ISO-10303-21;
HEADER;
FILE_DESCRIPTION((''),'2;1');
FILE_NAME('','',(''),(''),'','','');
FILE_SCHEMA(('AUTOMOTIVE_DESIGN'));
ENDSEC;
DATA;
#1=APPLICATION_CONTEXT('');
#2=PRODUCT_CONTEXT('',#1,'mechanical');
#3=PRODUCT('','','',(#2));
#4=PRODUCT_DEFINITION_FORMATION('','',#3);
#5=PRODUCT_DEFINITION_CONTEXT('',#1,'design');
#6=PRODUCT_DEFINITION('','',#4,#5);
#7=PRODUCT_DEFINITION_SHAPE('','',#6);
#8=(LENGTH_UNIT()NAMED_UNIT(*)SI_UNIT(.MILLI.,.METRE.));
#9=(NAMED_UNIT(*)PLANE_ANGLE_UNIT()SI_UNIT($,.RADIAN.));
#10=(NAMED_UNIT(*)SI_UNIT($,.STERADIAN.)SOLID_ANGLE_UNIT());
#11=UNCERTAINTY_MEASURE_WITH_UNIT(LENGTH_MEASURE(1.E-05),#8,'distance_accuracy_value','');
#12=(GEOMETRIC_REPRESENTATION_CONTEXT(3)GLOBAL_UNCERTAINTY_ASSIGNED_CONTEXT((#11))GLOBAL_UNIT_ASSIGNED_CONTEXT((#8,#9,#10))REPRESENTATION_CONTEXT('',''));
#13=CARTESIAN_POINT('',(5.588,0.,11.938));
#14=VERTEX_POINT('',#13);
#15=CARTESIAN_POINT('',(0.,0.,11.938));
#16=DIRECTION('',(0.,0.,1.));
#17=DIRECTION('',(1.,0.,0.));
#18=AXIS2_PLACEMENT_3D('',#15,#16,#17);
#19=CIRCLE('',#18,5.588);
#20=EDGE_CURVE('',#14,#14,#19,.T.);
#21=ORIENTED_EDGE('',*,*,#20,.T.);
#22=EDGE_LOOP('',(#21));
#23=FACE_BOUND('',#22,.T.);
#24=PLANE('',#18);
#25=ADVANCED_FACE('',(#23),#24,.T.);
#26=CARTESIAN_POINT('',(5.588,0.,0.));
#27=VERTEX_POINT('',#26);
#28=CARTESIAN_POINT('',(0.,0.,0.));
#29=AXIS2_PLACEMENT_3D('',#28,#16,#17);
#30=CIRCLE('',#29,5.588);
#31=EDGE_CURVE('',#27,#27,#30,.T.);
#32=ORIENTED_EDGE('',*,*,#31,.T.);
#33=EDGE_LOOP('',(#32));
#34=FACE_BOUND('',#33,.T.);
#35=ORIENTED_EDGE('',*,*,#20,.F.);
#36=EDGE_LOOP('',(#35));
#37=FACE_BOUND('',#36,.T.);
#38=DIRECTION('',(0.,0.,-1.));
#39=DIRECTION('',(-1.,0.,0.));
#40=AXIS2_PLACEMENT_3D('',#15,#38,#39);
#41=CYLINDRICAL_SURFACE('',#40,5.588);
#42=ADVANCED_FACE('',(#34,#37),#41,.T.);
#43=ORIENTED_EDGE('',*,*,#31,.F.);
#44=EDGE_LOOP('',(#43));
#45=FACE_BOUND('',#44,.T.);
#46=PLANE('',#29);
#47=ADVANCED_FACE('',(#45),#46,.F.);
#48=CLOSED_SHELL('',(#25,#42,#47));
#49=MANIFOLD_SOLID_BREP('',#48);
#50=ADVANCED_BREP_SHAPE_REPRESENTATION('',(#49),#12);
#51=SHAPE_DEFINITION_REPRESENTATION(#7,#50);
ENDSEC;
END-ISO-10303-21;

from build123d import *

# Parameters (mm, degrees)
SKETCH1_R           = 5.588
BOSS_EXTRUDE1_DEPTH = 11.938


with BuildPart() as part:
    # Sketch1 → Boss-Extrude1 (new body)
    with BuildSketch(Plane.XY):
        Circle(SKETCH1_R)
    extrude(amount=BOSS_EXTRUDE1_DEPTH)


solid = part.part
